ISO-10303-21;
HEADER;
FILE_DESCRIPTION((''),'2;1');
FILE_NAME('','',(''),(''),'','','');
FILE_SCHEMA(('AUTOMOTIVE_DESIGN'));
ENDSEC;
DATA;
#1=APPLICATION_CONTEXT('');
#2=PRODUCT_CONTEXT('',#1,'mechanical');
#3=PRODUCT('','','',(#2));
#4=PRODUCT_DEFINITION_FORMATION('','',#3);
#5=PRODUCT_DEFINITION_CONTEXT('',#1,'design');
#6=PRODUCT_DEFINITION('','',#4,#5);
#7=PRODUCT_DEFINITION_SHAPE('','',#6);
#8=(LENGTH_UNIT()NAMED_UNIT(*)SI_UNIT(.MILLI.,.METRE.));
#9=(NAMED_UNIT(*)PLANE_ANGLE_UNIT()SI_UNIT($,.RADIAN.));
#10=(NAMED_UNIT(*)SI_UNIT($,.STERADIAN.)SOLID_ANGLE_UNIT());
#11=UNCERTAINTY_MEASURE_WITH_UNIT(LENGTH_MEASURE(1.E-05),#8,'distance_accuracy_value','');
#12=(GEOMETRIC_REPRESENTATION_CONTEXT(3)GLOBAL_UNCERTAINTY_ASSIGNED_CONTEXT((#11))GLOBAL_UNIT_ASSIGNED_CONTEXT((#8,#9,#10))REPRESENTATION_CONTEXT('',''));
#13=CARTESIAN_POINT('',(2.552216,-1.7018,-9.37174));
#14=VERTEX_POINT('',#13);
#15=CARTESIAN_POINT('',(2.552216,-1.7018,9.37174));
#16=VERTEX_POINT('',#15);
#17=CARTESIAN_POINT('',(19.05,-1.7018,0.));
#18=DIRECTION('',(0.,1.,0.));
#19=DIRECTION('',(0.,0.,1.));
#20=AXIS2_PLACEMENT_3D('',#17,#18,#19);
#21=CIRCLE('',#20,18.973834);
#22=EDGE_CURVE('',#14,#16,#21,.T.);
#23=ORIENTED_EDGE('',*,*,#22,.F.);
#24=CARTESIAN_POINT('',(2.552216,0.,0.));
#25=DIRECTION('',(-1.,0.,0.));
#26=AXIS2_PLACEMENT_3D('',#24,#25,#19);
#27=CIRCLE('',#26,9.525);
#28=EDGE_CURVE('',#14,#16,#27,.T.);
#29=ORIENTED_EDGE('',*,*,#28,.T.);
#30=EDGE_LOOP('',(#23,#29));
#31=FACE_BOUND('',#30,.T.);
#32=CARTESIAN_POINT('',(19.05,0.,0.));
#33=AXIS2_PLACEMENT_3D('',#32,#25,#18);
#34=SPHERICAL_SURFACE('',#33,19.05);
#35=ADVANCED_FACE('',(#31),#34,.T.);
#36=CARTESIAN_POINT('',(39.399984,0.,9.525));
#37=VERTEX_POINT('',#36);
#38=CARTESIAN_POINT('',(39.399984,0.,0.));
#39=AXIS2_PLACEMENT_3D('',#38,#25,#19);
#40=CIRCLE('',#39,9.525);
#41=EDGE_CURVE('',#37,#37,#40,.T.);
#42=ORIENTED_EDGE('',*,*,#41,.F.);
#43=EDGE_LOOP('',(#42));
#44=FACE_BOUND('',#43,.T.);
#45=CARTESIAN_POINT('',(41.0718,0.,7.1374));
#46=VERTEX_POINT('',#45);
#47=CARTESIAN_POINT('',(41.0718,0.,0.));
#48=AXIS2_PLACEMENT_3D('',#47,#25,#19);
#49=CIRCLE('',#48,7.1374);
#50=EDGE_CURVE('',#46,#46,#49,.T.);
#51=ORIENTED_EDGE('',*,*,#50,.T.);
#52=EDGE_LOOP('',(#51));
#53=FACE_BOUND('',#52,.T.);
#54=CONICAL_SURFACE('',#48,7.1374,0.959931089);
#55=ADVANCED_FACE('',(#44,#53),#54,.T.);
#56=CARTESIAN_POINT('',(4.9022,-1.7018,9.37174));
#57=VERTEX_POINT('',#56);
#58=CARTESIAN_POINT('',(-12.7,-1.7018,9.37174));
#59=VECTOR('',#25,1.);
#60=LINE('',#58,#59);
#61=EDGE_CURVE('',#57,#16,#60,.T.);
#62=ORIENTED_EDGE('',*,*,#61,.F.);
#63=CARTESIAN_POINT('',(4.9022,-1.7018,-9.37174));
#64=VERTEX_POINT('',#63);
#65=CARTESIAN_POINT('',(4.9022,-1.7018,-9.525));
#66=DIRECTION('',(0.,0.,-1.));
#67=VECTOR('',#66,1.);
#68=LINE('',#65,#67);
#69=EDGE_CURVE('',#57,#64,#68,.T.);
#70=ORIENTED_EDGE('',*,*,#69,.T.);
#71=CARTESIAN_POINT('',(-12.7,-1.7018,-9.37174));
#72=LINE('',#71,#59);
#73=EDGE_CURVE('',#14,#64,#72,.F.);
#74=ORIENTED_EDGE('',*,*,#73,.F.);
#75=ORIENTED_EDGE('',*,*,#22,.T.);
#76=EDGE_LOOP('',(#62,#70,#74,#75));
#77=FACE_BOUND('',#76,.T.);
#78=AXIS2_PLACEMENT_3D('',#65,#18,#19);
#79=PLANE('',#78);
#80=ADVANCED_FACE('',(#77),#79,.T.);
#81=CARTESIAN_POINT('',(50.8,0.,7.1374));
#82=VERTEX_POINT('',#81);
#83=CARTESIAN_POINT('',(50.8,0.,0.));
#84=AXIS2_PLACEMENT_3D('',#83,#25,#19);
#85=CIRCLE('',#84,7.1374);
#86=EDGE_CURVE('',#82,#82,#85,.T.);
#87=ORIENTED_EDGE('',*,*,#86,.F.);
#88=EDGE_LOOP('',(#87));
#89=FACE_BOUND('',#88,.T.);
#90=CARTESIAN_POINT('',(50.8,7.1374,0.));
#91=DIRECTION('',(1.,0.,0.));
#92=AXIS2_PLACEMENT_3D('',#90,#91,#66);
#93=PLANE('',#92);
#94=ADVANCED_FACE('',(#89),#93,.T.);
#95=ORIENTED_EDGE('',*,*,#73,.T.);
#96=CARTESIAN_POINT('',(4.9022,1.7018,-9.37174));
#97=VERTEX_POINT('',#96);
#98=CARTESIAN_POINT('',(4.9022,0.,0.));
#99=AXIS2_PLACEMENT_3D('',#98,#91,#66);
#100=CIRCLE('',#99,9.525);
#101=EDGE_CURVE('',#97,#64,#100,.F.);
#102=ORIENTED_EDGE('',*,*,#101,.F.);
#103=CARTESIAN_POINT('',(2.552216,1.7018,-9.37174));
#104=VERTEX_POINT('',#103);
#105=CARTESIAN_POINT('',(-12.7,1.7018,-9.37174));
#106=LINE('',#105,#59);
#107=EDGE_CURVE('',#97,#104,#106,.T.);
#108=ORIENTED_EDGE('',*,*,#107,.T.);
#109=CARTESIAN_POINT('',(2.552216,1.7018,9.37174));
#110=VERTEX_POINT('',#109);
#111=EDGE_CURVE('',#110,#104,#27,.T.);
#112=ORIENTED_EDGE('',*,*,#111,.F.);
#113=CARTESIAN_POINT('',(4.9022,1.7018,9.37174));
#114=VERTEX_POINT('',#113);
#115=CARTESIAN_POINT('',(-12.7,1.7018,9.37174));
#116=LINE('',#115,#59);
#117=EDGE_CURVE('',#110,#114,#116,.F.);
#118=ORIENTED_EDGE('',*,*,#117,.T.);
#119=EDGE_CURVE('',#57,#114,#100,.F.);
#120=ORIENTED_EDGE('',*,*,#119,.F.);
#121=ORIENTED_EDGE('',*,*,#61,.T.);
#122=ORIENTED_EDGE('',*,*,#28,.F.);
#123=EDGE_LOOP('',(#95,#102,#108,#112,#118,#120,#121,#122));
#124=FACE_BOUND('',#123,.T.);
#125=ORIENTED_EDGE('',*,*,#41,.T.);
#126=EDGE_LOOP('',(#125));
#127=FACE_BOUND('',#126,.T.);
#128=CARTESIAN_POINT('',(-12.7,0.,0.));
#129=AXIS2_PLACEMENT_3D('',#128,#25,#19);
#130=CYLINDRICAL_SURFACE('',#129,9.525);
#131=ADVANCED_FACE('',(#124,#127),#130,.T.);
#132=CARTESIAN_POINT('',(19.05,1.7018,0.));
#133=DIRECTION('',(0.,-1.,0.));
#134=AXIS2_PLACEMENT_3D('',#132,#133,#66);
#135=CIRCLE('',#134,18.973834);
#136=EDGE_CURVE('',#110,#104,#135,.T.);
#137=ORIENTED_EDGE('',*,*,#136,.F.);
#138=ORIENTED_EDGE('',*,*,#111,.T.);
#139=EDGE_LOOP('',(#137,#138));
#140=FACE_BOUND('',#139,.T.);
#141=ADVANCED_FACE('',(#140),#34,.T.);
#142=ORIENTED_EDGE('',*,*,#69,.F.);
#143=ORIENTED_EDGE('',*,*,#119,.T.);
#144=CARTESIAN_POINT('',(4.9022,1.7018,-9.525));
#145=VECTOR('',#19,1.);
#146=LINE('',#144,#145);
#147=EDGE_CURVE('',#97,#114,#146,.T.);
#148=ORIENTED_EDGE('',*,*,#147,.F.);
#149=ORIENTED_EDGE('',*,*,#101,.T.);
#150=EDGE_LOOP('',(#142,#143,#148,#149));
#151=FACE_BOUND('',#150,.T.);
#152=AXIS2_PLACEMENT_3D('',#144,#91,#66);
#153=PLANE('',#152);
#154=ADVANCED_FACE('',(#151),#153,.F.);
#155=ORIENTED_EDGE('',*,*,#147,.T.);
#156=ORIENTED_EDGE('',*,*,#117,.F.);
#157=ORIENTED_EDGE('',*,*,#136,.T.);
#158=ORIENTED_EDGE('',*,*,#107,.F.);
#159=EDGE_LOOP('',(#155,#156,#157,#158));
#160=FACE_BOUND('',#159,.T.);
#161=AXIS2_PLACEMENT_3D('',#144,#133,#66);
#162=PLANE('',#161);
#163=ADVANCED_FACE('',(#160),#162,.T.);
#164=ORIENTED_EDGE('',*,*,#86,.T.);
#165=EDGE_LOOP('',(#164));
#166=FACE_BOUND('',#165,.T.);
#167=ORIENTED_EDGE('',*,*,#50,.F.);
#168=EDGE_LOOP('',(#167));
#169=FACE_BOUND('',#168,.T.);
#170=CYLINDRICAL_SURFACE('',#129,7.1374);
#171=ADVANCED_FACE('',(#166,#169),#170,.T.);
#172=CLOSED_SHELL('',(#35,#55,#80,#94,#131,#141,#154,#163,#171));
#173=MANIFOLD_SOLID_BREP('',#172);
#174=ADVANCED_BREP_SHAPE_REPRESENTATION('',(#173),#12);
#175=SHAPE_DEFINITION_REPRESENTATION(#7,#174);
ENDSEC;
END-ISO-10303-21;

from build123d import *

# Parameters (mm, degrees)
SKETCH2_W  = 19.05
SKETCH2_H  = 3.4036
SLOT_DEPTH = 4.9022


with BuildPart() as part:
    # BodySke → BaseBody (revolve)
    with BuildSketch(Plane.XY, mode=Mode.PRIVATE) as basebody_sk:
        with BuildLine():
            Line((41.0718, 7.1374), (50.8, 7.1374))
            Line((50.8, 7.1374), (50.8, 0))
            Line((50.8, 0), (0, 0))
            ThreePointArc((0, 0), (0.649113009, 4.930502809), (2.552216058, 9.525))
            Line((2.552216058, 9.525), (39.399984482, 9.525))
            Line((39.399984482, 9.525), (41.0718, 7.1374))
        make_face()
    revolve(basebody_sk.sketch.rotate(Axis((-12.7, 0, 0), (1, 0, 0)), 90), axis=Axis((-12.7, 0, 0), (1, 0, 0)))

    # Sketch2 → Slot (cut)
    with BuildSketch(Plane(origin=(0, 0, 0), x_dir=(0, 0, -1), z_dir=(1, 0, 0))):
        Rectangle(SKETCH2_W, SKETCH2_H)
    extrude(amount=SLOT_DEPTH, mode=Mode.SUBTRACT)


solid = part.part
